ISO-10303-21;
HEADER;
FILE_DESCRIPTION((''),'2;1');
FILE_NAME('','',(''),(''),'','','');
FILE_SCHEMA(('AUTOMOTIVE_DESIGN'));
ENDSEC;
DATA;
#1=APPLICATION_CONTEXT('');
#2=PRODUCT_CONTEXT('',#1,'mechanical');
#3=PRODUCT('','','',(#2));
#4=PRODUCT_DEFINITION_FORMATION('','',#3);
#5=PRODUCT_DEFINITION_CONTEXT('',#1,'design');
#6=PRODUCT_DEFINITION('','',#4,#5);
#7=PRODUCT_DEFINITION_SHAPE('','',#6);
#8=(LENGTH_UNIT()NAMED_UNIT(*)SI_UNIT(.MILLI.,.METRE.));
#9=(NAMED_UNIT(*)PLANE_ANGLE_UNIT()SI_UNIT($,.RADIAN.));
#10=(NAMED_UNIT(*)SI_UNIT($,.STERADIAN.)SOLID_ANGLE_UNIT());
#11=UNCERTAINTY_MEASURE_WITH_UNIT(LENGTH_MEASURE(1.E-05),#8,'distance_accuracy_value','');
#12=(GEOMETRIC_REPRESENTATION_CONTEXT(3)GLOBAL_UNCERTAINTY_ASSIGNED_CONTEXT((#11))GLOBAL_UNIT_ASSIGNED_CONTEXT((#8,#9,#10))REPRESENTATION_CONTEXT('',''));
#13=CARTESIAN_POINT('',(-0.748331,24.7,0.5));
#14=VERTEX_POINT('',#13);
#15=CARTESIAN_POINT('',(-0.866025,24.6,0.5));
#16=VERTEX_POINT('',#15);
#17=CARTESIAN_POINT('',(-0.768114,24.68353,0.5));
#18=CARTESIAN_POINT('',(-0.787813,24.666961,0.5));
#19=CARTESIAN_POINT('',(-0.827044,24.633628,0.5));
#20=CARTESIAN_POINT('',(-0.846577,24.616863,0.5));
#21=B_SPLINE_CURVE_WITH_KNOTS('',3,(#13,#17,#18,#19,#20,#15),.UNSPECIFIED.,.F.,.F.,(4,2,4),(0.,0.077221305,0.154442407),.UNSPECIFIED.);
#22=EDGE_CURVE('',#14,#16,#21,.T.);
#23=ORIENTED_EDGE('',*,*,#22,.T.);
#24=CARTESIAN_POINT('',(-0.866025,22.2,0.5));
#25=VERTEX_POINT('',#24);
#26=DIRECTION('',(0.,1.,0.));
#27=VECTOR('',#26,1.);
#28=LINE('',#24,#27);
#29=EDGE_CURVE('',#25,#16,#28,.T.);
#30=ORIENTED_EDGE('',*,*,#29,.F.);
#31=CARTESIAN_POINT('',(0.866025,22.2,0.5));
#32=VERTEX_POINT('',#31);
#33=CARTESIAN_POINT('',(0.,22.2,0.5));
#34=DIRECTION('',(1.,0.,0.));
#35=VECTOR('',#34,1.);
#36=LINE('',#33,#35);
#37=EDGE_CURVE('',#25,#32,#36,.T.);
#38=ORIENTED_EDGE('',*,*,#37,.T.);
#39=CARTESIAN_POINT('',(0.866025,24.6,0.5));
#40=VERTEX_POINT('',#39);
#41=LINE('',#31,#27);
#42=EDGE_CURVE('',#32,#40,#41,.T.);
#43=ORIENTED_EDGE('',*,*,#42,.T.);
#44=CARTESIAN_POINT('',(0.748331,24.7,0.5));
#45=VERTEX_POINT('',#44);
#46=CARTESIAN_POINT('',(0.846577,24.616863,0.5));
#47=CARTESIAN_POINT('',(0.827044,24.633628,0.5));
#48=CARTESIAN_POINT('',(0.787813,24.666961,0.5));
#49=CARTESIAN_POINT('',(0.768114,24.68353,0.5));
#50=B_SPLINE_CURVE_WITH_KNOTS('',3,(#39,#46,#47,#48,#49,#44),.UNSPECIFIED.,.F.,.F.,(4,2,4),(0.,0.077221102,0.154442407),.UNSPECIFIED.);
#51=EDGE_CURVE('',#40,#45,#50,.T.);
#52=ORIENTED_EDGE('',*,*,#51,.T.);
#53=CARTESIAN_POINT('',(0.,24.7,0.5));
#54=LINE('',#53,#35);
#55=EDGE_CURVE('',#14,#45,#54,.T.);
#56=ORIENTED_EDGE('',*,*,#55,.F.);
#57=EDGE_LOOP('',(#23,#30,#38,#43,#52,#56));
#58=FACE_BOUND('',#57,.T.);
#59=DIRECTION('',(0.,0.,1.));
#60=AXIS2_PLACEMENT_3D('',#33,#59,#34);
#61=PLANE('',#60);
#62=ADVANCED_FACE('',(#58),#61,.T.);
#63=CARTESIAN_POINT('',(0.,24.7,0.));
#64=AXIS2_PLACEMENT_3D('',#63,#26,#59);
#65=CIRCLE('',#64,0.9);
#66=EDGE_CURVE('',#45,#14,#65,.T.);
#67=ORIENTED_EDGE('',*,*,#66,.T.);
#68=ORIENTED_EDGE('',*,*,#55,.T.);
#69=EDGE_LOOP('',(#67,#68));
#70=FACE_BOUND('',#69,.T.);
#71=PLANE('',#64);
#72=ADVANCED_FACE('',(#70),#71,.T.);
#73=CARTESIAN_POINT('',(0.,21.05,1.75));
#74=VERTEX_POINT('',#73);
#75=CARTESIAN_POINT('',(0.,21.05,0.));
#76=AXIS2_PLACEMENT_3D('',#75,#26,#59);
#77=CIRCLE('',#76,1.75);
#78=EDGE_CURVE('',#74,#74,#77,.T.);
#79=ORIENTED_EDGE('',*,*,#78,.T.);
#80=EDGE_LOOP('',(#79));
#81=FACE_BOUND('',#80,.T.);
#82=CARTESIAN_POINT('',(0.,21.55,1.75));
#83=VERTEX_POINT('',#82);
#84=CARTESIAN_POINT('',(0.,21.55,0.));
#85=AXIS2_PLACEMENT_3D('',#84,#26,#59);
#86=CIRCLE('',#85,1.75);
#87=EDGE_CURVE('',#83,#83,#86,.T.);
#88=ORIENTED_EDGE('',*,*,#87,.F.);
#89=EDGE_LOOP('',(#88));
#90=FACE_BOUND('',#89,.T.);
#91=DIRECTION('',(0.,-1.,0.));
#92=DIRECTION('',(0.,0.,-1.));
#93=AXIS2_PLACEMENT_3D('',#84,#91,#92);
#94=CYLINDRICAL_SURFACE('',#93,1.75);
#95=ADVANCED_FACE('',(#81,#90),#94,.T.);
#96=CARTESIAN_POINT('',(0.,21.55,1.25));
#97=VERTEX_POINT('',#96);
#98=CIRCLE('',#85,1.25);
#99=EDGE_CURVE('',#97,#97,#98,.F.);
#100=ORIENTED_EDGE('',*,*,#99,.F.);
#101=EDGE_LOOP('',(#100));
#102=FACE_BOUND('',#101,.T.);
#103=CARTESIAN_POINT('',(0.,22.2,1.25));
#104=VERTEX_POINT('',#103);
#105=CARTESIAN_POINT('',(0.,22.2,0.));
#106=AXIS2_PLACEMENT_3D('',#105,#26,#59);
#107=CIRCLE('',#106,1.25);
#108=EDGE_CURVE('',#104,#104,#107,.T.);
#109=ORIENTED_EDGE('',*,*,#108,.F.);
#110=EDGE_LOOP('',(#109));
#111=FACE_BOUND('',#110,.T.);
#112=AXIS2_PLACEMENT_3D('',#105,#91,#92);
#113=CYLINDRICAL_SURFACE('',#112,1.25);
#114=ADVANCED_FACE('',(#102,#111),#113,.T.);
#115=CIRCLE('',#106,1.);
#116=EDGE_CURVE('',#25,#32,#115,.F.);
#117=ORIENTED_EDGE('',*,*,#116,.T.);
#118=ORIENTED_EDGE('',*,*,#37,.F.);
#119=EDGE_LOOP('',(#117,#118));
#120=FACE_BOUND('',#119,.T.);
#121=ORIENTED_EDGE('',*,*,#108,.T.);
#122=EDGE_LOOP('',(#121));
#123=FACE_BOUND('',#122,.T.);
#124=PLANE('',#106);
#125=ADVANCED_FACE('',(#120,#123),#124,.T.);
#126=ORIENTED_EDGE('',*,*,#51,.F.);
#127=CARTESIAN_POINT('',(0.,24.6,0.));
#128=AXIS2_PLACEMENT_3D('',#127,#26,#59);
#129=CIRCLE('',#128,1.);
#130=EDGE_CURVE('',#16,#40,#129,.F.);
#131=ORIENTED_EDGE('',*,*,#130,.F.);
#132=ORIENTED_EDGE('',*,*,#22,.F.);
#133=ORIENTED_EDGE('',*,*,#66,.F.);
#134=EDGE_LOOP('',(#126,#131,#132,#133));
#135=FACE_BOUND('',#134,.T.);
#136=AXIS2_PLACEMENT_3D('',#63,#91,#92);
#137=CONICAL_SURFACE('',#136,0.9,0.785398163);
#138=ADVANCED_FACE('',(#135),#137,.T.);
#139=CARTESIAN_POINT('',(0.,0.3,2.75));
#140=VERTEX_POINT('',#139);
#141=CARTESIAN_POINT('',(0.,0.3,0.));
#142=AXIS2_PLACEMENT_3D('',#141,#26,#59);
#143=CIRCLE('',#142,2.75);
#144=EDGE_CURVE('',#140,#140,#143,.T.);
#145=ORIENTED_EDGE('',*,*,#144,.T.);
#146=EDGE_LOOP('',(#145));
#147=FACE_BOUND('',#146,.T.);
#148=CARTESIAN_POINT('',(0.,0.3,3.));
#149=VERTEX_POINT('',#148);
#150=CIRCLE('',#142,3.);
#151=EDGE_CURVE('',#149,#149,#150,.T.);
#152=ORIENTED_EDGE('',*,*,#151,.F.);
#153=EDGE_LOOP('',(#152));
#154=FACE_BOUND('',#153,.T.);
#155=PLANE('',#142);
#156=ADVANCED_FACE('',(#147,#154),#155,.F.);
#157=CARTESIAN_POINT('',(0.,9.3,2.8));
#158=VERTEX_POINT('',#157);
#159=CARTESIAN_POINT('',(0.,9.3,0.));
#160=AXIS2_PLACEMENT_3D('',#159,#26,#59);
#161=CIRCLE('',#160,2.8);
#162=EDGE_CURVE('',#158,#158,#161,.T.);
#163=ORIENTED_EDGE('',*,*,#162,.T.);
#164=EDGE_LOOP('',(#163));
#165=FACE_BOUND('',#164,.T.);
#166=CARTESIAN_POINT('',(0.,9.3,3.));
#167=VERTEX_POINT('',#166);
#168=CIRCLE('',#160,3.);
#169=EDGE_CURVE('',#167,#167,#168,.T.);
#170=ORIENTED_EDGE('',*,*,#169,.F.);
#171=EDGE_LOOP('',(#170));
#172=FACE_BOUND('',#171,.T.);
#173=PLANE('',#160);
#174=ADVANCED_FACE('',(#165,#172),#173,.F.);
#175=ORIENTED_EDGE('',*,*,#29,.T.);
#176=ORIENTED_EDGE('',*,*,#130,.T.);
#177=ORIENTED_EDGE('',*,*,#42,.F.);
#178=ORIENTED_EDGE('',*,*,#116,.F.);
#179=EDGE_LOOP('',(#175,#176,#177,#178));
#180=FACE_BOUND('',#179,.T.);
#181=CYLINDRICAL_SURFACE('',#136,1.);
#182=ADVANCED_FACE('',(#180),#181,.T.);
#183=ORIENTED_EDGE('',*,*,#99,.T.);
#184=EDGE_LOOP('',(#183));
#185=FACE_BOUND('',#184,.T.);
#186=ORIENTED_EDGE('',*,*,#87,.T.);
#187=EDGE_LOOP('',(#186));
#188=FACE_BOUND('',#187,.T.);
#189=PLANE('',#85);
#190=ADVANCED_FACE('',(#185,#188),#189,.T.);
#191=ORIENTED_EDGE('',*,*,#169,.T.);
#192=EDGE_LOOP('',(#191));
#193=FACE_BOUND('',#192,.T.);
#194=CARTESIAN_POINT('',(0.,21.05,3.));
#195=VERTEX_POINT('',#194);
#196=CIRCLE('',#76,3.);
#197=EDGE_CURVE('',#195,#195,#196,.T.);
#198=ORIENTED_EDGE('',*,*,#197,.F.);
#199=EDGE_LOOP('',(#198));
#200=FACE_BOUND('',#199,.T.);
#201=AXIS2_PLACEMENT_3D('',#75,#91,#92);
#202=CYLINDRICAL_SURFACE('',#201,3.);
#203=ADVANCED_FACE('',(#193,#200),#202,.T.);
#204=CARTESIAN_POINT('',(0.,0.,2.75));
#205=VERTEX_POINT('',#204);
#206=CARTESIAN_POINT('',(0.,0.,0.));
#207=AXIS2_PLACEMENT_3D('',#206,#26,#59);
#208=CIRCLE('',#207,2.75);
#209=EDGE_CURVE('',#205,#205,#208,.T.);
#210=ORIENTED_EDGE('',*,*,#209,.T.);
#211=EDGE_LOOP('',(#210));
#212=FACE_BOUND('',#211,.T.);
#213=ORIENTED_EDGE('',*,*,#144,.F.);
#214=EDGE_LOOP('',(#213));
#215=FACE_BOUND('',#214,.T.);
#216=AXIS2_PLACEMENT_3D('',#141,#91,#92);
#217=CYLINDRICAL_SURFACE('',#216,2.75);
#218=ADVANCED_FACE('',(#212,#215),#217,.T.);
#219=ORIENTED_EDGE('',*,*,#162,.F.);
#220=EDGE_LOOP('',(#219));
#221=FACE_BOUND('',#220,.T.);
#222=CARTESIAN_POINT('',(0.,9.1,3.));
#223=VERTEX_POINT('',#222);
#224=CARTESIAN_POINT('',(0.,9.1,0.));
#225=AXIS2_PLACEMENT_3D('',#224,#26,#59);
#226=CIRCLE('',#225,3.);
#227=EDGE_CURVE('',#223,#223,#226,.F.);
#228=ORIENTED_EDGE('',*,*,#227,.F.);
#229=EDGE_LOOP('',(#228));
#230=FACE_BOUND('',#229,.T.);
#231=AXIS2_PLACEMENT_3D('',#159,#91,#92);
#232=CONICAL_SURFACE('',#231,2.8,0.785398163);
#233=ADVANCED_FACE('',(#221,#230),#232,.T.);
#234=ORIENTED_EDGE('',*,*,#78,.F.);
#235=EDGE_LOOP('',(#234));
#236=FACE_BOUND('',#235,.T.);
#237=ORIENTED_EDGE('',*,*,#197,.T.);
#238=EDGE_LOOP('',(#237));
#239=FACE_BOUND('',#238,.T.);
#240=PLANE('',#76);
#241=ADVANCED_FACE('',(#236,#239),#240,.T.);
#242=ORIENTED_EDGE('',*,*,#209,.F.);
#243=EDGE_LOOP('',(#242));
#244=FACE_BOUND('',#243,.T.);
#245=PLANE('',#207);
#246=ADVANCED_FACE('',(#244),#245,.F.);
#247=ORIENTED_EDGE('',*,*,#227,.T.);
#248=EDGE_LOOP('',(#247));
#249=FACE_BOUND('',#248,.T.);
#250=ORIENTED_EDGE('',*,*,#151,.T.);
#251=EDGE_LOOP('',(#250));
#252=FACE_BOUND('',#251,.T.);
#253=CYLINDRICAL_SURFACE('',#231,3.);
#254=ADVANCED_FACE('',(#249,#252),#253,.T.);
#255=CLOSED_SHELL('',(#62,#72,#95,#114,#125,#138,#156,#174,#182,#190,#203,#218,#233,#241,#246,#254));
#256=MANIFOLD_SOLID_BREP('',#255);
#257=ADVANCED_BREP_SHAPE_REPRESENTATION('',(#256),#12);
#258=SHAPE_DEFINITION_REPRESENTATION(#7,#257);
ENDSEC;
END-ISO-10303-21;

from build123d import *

# Parameters (mm, degrees)
SKETCH_1_R          = 2.75
EXTRUDE_1_DEPTH     = 0.3
EXTRUDE_START       = 0.3
SKETCH_2_R          = 3
EXTRUDE_2_DEPTH     = 9
CHAMFER_1_SIZE      = 0.2
EXTRUDE_START_2     = 9.3
SKETCH_3_R          = 3
EXTRUDE_3_DEPTH     = 11.75
EXTRUDE_START_3     = 21.05
SKETCH_4_R          = 1.75
EXTRUDE_4_DEPTH     = 0.5
SKETCH_5_R          = 1.25
EXTRUDE_5_DEPTH     = 1.15
SKETCH_6_R          = 1
EXTRUDE_6_DEPTH     = 3.65
CUT_EXTRUDE_START   = 22.2
CUT_EXTRUDE_1_DEPTH = 2.5
CHAMFER_2_SIZE      = 0.1


with BuildPart() as part:
    # 草图1 → 凸台-拉伸1 (new body)
    with BuildSketch(Plane(origin=(0, 0, 0), x_dir=(1, 0, 0), z_dir=(0, 1, 0))):
        with Locations(Location((0, 0, 0), (0, 0, 270))):
            Circle(SKETCH_1_R)
    extrude(amount=EXTRUDE_1_DEPTH)

    # 草图2 → 凸台-拉伸2 (add)
    with BuildSketch(Plane(origin=(0, 0, 0), x_dir=(1, 0, 0), z_dir=(0, 1, 0)).offset(EXTRUDE_START)):
        with Locations(Location((0, 0, 0), (0, 0, 270))):
            Circle(SKETCH_2_R)
    extrude(amount=EXTRUDE_2_DEPTH)

    # 倒角1
    chamfer_1_edges = [part.edges().sort_by_distance(p)[0] for p in [
        (0, 9.3, -3),
    ]]
    chamfer(chamfer_1_edges, length=CHAMFER_1_SIZE)

    # 草图3 → 凸台-拉伸3 (add)
    with BuildSketch(Plane(origin=(0, 0, 0), x_dir=(1, 0, 0), z_dir=(0, 1, 0)).offset(EXTRUDE_START_2)):
        with Locations(Location((0, 0, 0), (0, 0, 270))):
            Circle(SKETCH_3_R)
    extrude(amount=EXTRUDE_3_DEPTH)

    # 草图4 → 凸台-拉伸4 (add)
    with BuildSketch(Plane(origin=(0, 0, 0), x_dir=(1, 0, 0), z_dir=(0, 1, 0)).offset(EXTRUDE_START_3)):
        with Locations(Location((0, 0, 0), (0, 0, 270))):
            Circle(SKETCH_4_R)
    extrude(amount=EXTRUDE_4_DEPTH)

    # 草图5 → 凸台-拉伸5 (add)
    with BuildSketch(Plane(origin=(0, 0, 0), x_dir=(1, 0, 0), z_dir=(0, 1, 0)).offset(EXTRUDE_START_3)):
        with Locations(Location((0, 0, 0), (0, 0, 270))):
            Circle(SKETCH_5_R)
    extrude(amount=EXTRUDE_5_DEPTH)

    # 草图6 → 凸台-拉伸6 (add)
    with BuildSketch(Plane(origin=(0, 0, 0), x_dir=(1, 0, 0), z_dir=(0, 1, 0)).offset(EXTRUDE_START_3)):
        with Locations(Location((0, 0, 0), (0, 0, 270))):
            Circle(SKETCH_6_R)
    extrude(amount=EXTRUDE_6_DEPTH)

    # 草图7 → 切除-拉伸1 (cut)
    with BuildSketch(Plane(origin=(0, 0, 0), x_dir=(1, 0, 0), z_dir=(0, 1, 0)).offset(CUT_EXTRUDE_START)):
        with BuildLine():
            Line((-0.866025404, -0.5), (0.866025404, -0.5))
            ThreePointArc((0.866025404, -0.5), (0, -1), (-0.866025404, -0.5))
        make_face()
    extrude(amount=CUT_EXTRUDE_1_DEPTH, mode=Mode.SUBTRACT)

    # 倒角2
    chamfer_2_edges = [part.edges().sort_by_distance(p)[0] for p in [
        (0, 24.7, -1),
    ]]
    chamfer(chamfer_2_edges, length=CHAMFER_2_SIZE)


solid = part.part
